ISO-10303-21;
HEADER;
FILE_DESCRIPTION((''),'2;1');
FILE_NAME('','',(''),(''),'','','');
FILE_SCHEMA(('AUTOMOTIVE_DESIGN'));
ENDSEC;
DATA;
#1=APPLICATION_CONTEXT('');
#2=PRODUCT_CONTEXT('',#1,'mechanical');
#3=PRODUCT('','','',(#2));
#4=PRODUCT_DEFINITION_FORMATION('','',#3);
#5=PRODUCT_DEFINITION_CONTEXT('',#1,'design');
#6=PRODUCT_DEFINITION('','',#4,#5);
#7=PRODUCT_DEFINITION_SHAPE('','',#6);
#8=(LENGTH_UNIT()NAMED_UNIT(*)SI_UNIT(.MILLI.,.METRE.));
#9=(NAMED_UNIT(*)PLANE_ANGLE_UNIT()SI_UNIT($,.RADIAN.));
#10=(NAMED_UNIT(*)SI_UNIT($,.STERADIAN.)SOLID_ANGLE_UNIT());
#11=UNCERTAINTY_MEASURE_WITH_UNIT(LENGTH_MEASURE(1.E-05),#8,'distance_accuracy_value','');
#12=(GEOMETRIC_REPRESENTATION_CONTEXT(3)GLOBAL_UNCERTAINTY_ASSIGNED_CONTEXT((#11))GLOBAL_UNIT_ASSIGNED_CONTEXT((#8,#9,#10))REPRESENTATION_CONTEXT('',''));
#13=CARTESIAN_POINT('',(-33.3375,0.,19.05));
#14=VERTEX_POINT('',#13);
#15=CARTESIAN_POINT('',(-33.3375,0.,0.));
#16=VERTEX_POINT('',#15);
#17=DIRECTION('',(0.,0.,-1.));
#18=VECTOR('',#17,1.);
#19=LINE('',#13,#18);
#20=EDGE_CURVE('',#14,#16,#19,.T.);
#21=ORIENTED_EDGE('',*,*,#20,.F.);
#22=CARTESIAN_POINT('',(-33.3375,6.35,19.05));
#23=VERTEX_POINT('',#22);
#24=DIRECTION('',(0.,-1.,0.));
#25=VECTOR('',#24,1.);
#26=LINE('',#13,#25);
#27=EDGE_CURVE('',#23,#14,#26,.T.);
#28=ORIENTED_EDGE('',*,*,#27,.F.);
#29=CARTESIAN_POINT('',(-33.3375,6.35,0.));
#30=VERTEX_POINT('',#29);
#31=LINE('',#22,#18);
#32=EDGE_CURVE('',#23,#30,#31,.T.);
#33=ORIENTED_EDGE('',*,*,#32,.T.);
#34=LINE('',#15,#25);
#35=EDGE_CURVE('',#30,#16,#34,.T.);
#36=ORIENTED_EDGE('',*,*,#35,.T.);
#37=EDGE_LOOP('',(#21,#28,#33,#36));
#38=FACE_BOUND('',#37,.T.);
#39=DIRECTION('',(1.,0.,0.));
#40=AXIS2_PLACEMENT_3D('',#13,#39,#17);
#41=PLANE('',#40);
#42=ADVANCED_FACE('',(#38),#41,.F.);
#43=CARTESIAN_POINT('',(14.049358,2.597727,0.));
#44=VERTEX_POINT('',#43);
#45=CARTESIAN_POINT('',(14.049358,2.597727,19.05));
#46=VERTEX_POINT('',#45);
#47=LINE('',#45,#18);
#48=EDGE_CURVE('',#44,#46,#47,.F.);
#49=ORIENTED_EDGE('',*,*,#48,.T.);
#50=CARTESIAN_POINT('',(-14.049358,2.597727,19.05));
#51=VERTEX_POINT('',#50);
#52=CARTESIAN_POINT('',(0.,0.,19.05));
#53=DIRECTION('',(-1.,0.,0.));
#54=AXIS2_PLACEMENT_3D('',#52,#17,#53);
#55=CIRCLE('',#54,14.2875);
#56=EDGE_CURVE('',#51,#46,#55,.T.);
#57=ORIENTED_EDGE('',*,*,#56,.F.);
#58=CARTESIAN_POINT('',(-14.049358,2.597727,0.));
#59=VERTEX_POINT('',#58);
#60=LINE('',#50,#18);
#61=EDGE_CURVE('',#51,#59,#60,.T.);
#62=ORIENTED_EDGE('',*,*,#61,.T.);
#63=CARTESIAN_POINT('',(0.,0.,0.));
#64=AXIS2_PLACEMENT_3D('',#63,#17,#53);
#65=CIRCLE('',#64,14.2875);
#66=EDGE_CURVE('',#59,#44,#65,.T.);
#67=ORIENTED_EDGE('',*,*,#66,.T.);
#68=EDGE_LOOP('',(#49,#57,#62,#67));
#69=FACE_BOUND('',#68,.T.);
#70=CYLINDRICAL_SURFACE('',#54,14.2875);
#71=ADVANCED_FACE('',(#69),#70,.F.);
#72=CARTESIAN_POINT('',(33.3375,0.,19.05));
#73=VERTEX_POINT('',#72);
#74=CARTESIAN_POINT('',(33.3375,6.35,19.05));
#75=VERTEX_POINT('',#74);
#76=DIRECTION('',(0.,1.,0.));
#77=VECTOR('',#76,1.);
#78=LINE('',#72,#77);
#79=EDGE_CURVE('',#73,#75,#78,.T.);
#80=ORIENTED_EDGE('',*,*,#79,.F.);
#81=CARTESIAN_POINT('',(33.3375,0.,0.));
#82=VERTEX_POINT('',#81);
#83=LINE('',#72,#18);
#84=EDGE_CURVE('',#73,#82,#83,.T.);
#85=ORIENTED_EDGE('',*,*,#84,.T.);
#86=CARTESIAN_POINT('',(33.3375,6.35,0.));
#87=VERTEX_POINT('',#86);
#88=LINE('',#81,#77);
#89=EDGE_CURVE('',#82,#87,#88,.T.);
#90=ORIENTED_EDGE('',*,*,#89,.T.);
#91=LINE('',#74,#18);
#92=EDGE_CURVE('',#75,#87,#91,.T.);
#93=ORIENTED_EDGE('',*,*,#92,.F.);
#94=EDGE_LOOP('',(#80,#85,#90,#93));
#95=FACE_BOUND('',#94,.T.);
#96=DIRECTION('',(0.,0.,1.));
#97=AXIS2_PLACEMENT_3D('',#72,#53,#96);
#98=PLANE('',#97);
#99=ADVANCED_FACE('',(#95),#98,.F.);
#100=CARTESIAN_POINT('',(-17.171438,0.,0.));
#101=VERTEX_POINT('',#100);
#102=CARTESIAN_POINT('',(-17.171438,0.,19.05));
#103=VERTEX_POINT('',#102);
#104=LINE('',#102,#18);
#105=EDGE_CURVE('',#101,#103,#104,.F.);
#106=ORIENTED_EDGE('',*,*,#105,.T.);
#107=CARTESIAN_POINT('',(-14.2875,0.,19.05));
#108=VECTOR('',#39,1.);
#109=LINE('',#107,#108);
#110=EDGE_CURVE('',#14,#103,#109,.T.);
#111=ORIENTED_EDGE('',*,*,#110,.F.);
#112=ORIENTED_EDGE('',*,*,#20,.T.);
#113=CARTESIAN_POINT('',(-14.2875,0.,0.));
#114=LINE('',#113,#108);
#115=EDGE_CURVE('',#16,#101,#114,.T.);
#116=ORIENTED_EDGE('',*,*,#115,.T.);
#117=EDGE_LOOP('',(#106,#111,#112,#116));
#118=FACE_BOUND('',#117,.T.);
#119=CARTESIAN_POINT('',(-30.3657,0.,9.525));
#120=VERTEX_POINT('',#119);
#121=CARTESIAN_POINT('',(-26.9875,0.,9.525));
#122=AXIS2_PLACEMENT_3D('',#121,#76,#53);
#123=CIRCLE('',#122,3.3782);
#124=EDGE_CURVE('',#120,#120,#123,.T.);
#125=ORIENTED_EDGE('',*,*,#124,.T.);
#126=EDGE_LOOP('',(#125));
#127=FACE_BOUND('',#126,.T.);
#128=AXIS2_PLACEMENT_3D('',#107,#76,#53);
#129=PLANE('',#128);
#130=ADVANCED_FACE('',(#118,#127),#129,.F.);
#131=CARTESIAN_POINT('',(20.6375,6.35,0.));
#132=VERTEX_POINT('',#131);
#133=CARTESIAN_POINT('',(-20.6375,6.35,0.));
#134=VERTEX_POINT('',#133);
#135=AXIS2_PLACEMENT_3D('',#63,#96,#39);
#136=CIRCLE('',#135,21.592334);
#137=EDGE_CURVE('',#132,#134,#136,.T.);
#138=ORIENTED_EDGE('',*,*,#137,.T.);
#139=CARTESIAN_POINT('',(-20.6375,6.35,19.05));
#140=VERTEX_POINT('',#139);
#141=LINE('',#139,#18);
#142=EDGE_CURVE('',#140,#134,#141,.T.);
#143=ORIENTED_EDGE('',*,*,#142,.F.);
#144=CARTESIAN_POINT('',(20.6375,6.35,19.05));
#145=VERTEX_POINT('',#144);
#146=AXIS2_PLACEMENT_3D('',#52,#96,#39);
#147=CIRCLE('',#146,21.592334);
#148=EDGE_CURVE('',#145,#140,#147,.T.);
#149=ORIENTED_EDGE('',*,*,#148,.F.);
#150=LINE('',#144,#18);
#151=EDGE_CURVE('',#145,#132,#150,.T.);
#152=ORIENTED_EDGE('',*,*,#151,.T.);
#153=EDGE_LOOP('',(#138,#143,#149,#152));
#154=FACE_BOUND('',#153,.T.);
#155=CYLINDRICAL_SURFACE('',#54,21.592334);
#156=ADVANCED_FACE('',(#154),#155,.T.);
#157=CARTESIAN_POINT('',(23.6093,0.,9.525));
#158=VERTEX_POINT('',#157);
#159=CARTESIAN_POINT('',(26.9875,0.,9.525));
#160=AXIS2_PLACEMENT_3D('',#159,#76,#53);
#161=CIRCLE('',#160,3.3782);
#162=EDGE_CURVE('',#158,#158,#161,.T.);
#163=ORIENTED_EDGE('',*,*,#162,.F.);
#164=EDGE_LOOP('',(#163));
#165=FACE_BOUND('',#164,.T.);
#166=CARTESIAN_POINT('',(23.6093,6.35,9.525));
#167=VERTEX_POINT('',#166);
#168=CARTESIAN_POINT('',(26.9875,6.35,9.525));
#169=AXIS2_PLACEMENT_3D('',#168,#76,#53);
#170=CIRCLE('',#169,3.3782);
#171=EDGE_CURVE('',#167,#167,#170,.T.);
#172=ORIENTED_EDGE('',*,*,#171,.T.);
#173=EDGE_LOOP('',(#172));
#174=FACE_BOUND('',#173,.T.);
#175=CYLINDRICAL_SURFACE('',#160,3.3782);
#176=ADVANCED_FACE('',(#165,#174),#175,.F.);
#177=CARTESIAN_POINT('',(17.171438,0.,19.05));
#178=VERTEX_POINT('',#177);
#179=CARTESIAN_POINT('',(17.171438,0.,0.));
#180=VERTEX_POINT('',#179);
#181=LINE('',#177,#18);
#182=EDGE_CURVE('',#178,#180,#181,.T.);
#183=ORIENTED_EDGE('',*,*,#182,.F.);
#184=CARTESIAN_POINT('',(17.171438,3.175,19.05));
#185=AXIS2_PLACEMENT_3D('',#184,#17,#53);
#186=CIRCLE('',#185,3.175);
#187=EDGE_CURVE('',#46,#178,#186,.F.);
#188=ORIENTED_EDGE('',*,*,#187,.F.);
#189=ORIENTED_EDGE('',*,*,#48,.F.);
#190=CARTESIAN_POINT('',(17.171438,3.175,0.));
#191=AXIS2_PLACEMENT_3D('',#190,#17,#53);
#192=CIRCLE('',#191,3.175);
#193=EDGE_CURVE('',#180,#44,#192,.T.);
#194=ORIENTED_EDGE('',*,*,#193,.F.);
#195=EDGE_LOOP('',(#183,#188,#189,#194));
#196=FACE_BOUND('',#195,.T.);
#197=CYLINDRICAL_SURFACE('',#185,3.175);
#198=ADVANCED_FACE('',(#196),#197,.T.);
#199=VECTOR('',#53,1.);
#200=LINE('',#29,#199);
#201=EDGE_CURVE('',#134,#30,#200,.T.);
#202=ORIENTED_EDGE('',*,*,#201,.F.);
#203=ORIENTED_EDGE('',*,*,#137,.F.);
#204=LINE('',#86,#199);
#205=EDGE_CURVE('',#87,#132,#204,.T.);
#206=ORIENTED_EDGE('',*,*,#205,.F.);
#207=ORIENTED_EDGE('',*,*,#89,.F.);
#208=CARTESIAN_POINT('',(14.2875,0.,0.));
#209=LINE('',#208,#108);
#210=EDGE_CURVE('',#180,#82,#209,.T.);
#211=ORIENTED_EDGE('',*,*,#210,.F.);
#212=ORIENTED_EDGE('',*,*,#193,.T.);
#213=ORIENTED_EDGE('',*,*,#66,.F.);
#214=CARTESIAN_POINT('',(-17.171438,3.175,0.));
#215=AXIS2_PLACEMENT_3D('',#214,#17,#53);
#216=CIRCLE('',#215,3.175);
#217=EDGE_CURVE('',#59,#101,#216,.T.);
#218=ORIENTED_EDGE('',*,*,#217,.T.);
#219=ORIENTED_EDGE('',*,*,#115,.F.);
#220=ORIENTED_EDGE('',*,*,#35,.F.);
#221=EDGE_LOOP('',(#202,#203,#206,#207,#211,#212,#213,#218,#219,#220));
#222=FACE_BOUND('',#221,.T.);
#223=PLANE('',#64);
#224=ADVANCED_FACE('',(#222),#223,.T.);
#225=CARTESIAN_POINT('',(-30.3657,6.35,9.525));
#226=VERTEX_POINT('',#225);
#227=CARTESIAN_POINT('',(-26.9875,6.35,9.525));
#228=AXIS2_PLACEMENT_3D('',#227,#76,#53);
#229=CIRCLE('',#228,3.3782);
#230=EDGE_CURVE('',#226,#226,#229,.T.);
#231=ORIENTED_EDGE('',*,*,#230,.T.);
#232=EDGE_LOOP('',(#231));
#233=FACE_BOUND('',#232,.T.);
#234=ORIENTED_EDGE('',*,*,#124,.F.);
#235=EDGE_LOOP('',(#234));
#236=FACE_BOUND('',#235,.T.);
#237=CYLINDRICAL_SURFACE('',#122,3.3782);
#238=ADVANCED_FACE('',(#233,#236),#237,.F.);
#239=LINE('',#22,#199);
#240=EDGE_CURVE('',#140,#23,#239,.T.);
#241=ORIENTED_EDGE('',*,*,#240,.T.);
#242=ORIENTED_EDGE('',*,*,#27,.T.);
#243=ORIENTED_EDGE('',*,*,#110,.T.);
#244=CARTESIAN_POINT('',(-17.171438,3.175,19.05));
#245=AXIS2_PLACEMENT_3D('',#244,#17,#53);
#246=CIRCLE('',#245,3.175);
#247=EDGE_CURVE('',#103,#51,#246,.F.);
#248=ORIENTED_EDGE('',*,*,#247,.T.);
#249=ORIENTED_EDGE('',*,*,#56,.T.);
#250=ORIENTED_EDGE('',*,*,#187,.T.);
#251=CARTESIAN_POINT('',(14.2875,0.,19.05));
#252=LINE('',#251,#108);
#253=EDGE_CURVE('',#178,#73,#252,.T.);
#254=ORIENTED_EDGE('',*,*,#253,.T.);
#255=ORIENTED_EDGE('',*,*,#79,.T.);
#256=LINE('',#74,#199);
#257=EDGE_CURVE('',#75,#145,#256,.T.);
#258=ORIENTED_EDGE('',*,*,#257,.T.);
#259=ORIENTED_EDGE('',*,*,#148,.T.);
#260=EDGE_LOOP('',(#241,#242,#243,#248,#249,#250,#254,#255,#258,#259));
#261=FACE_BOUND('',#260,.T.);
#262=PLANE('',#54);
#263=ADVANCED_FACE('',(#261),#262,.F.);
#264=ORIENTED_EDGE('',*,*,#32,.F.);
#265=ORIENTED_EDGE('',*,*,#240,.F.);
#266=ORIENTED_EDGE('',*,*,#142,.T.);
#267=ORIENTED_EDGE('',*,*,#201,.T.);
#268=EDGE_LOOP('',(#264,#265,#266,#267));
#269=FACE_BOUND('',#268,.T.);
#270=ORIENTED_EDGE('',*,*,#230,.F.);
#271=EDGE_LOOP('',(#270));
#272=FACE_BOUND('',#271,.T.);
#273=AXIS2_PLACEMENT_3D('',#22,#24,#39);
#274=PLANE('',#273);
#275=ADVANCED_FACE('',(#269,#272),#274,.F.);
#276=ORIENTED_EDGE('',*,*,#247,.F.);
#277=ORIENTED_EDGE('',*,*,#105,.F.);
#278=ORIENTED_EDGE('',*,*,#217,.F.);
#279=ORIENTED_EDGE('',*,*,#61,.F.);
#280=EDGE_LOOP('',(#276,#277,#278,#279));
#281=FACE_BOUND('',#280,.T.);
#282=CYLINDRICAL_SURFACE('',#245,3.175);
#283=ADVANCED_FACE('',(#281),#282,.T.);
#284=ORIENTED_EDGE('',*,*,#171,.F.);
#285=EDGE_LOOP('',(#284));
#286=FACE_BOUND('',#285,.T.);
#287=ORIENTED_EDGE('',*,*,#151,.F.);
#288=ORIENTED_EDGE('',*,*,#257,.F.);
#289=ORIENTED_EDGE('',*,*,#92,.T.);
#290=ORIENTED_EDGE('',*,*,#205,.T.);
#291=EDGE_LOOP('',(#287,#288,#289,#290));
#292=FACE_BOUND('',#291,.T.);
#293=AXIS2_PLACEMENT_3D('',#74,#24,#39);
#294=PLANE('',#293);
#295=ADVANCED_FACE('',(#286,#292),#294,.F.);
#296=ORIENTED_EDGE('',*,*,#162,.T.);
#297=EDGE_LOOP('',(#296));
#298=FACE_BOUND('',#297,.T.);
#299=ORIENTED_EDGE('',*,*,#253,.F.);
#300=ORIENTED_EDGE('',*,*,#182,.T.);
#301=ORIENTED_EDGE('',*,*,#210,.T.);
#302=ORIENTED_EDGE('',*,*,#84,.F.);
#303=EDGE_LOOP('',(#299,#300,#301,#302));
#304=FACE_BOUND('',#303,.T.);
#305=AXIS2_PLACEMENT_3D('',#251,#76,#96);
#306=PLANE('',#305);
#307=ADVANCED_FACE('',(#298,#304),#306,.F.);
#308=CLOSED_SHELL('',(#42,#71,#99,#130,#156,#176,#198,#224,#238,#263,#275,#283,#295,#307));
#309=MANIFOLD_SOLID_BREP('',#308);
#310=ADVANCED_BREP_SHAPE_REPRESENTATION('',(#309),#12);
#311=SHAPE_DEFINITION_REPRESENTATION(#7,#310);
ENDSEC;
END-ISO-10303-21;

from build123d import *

# Parameters (mm, degrees)
BOSS_EXTRUDE1_DEPTH = 19.05
SKETCH2_R           = 3.3782
CUT_EXTRUDE1_DEPTH  = 42.311259545
FILLET1_R           = 3.175


with BuildPart() as part:
    # Sketch1 → Boss-Extrude1 (new body)
    with BuildSketch(Plane.XY):
        with BuildLine():
            Line((14.2875, 0), (33.3375, 0))
            Line((33.3375, 0), (33.3375, 6.35))
            Line((33.3375, 6.35), (20.6375, 6.35))
            ThreePointArc((20.6375, 6.35), (0, 21.592334433), (-20.6375, 6.35))
            Line((-20.6375, 6.35), (-33.3375, 6.35))
            Line((-33.3375, 6.35), (-33.3375, 0))
            Line((-33.3375, 0), (-14.2875, 0))
            ThreePointArc((-14.2875, 0), (0, 14.2875), (14.2875, 0))
        make_face()
    extrude(amount=BOSS_EXTRUDE1_DEPTH)

    # Sketch2 → Cut-Extrude1 (cut, through all)
    with BuildSketch(Plane(origin=(0, 6.35, 0), x_dir=(1, 0, 0), z_dir=(0, 1, 0))):
        with Locations(Location((26.9875, -9.525, 0), (0, 0, 180))):
            Circle(SKETCH2_R)
        with Locations(Location((-26.9875, -9.525, 0), (0, 0, 180))):
            Circle(SKETCH2_R)
    extrude(amount=-CUT_EXTRUDE1_DEPTH, mode=Mode.SUBTRACT)

    # Fillet1
    fillet1_edges = [part.edges().sort_by_distance(p)[0] for p in [
        (-14.2875, 0, 9.525),
        (14.2875, 0, 9.525),
    ]]
    fillet(fillet1_edges, radius=FILLET1_R)


solid = part.part
